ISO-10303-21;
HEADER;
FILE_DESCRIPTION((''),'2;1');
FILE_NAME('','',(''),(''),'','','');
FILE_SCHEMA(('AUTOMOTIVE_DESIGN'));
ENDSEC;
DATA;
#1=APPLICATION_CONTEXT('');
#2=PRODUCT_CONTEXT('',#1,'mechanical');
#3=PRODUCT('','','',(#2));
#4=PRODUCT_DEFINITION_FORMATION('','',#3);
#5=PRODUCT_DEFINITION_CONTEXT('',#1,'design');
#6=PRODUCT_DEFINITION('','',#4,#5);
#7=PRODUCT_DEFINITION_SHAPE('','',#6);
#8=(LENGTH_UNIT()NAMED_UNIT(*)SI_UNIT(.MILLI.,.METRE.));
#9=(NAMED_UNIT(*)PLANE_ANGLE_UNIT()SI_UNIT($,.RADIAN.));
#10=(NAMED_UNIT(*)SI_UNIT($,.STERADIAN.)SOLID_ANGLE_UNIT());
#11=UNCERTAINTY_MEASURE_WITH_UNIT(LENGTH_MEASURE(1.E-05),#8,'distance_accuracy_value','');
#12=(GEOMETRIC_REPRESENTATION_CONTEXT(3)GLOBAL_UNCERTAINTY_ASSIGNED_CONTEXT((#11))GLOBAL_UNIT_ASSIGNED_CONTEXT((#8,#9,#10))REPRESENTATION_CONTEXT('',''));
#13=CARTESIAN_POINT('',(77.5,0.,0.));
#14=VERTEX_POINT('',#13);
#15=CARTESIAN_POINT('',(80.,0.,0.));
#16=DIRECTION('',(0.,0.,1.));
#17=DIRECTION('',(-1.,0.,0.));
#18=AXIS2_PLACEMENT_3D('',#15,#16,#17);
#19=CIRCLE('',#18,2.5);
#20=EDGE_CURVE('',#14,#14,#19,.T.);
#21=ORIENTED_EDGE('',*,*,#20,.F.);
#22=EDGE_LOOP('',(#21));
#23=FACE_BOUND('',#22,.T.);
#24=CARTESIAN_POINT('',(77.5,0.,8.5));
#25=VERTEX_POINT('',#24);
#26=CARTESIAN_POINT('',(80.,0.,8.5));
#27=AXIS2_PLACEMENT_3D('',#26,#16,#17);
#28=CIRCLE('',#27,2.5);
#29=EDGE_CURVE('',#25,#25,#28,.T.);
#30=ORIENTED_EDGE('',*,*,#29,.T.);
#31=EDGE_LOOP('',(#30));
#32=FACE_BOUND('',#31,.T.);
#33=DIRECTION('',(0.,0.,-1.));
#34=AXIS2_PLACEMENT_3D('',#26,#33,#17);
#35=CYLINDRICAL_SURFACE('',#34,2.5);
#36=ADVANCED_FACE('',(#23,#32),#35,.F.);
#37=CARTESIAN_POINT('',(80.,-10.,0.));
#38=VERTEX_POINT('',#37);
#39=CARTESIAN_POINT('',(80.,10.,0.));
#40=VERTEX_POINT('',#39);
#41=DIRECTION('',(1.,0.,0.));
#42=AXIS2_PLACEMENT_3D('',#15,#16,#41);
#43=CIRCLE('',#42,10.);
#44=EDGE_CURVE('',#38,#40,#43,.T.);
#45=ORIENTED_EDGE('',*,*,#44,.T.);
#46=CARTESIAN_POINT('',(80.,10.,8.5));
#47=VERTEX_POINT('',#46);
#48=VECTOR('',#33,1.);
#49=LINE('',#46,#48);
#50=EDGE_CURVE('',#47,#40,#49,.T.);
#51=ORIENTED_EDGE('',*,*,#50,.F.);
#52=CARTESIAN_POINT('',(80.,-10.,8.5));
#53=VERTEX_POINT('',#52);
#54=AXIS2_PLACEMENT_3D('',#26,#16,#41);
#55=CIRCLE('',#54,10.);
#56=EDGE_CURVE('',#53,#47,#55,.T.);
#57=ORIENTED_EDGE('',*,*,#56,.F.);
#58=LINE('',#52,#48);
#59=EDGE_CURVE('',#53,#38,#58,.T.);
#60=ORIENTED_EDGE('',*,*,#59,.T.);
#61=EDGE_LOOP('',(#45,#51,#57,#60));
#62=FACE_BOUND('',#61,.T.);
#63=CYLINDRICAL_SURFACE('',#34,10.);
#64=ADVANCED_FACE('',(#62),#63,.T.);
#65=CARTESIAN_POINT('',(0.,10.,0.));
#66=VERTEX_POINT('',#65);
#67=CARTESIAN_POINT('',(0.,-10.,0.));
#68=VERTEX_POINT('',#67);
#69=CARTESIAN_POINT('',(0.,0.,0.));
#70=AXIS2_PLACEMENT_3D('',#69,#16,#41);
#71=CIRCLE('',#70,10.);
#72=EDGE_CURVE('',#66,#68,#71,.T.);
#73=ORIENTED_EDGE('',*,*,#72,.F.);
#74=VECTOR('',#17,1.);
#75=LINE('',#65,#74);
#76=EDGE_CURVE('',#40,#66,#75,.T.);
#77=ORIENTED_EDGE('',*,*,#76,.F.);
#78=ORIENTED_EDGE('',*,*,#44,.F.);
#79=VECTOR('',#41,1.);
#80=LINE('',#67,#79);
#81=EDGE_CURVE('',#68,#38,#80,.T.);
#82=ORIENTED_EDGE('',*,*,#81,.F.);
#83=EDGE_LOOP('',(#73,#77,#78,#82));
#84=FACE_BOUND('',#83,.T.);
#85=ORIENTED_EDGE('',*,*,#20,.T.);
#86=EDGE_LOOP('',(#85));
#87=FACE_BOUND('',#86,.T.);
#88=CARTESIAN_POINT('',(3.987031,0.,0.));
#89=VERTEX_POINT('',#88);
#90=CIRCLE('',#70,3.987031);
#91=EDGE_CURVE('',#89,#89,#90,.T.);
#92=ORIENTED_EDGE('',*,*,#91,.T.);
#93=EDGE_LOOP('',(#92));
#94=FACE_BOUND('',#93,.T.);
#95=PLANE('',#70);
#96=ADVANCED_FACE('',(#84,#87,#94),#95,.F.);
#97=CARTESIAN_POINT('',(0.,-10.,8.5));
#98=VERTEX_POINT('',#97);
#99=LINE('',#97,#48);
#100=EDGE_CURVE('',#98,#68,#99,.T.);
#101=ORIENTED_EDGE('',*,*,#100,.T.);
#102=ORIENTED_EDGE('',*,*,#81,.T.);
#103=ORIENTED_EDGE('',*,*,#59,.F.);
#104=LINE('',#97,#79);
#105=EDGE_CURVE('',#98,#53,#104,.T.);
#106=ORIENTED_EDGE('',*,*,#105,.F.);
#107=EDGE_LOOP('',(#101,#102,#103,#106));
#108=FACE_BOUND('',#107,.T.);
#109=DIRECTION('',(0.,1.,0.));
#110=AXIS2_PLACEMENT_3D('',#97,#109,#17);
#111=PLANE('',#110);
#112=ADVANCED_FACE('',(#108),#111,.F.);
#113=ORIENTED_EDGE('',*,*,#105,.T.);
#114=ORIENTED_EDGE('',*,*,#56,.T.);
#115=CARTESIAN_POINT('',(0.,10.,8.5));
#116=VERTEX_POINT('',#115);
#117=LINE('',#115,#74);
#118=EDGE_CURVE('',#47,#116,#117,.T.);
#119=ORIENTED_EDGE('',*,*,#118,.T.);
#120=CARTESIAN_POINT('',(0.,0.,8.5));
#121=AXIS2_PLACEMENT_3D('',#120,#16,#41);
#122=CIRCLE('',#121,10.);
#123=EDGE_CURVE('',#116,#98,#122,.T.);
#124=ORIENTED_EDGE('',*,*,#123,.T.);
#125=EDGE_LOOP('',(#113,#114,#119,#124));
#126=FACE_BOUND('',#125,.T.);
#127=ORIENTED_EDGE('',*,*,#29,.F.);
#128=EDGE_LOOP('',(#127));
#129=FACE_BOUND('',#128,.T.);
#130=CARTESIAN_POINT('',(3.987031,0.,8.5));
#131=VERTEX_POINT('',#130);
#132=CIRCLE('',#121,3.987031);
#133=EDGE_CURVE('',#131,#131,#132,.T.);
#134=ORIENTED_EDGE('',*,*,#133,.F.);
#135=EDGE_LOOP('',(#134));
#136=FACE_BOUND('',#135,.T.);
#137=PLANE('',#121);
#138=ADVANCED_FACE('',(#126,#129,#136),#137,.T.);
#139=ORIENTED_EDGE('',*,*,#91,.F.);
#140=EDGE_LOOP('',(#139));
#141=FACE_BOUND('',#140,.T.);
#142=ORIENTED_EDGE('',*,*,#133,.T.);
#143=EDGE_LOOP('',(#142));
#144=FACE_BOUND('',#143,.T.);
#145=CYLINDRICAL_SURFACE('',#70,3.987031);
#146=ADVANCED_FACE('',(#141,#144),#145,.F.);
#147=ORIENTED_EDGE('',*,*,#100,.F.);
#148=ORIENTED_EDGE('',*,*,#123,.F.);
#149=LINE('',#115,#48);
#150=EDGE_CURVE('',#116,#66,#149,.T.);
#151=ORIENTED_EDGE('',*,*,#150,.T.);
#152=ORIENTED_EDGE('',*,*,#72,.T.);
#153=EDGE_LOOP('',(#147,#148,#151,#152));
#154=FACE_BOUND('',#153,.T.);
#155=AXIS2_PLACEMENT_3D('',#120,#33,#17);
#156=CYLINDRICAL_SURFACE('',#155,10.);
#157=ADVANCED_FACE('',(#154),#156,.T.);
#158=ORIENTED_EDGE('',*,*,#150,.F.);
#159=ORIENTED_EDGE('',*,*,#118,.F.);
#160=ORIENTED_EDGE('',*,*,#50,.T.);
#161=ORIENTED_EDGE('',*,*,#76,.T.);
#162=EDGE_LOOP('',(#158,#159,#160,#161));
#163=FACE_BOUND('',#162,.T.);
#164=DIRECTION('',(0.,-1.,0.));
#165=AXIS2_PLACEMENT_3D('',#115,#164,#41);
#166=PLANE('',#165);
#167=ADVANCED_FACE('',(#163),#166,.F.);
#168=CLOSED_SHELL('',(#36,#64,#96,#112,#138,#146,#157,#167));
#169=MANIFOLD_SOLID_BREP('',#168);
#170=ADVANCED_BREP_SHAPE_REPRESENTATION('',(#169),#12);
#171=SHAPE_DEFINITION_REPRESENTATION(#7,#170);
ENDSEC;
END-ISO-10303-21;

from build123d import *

# Parameters (mm, degrees)
SKETCH_1_R               = 2.5
EXTRUDE_1_DEPTH          = 8.5
CUT_EXTRUDE_2_DEPTH      = 91.95191037
CUT_EXTRUDE_2_DEPTH_BACK = 91.95191037
SKETCH_2_R               = 3.98703102


with BuildPart() as part:
    # 草图1 → 凸台-拉伸1 (new body)
    with BuildSketch(Plane.XY):
        with BuildLine():
            Line((0, 10), (80, 10))
            ThreePointArc((80, 10), (90, 0), (80, -10))
            Line((80, -10), (0, -10))
            ThreePointArc((0, -10), (-10, 0), (0, 10))
        make_face()
        Circle(SKETCH_1_R, mode=Mode.SUBTRACT)
        with Locations(Location((80, 0, 0), (0, 0, 180))):
            Circle(SKETCH_1_R, mode=Mode.SUBTRACT)
    extrude(amount=EXTRUDE_1_DEPTH)

    # 草图2 → 切除-拉伸2 (cut, two sides: drawn at the far end of the back side and taken through both)
    with BuildSketch(Plane.XY.offset(8.5).offset(-CUT_EXTRUDE_2_DEPTH_BACK)):
        Circle(SKETCH_2_R)
    extrude(amount=CUT_EXTRUDE_2_DEPTH + CUT_EXTRUDE_2_DEPTH_BACK, mode=Mode.SUBTRACT)


solid = part.part
